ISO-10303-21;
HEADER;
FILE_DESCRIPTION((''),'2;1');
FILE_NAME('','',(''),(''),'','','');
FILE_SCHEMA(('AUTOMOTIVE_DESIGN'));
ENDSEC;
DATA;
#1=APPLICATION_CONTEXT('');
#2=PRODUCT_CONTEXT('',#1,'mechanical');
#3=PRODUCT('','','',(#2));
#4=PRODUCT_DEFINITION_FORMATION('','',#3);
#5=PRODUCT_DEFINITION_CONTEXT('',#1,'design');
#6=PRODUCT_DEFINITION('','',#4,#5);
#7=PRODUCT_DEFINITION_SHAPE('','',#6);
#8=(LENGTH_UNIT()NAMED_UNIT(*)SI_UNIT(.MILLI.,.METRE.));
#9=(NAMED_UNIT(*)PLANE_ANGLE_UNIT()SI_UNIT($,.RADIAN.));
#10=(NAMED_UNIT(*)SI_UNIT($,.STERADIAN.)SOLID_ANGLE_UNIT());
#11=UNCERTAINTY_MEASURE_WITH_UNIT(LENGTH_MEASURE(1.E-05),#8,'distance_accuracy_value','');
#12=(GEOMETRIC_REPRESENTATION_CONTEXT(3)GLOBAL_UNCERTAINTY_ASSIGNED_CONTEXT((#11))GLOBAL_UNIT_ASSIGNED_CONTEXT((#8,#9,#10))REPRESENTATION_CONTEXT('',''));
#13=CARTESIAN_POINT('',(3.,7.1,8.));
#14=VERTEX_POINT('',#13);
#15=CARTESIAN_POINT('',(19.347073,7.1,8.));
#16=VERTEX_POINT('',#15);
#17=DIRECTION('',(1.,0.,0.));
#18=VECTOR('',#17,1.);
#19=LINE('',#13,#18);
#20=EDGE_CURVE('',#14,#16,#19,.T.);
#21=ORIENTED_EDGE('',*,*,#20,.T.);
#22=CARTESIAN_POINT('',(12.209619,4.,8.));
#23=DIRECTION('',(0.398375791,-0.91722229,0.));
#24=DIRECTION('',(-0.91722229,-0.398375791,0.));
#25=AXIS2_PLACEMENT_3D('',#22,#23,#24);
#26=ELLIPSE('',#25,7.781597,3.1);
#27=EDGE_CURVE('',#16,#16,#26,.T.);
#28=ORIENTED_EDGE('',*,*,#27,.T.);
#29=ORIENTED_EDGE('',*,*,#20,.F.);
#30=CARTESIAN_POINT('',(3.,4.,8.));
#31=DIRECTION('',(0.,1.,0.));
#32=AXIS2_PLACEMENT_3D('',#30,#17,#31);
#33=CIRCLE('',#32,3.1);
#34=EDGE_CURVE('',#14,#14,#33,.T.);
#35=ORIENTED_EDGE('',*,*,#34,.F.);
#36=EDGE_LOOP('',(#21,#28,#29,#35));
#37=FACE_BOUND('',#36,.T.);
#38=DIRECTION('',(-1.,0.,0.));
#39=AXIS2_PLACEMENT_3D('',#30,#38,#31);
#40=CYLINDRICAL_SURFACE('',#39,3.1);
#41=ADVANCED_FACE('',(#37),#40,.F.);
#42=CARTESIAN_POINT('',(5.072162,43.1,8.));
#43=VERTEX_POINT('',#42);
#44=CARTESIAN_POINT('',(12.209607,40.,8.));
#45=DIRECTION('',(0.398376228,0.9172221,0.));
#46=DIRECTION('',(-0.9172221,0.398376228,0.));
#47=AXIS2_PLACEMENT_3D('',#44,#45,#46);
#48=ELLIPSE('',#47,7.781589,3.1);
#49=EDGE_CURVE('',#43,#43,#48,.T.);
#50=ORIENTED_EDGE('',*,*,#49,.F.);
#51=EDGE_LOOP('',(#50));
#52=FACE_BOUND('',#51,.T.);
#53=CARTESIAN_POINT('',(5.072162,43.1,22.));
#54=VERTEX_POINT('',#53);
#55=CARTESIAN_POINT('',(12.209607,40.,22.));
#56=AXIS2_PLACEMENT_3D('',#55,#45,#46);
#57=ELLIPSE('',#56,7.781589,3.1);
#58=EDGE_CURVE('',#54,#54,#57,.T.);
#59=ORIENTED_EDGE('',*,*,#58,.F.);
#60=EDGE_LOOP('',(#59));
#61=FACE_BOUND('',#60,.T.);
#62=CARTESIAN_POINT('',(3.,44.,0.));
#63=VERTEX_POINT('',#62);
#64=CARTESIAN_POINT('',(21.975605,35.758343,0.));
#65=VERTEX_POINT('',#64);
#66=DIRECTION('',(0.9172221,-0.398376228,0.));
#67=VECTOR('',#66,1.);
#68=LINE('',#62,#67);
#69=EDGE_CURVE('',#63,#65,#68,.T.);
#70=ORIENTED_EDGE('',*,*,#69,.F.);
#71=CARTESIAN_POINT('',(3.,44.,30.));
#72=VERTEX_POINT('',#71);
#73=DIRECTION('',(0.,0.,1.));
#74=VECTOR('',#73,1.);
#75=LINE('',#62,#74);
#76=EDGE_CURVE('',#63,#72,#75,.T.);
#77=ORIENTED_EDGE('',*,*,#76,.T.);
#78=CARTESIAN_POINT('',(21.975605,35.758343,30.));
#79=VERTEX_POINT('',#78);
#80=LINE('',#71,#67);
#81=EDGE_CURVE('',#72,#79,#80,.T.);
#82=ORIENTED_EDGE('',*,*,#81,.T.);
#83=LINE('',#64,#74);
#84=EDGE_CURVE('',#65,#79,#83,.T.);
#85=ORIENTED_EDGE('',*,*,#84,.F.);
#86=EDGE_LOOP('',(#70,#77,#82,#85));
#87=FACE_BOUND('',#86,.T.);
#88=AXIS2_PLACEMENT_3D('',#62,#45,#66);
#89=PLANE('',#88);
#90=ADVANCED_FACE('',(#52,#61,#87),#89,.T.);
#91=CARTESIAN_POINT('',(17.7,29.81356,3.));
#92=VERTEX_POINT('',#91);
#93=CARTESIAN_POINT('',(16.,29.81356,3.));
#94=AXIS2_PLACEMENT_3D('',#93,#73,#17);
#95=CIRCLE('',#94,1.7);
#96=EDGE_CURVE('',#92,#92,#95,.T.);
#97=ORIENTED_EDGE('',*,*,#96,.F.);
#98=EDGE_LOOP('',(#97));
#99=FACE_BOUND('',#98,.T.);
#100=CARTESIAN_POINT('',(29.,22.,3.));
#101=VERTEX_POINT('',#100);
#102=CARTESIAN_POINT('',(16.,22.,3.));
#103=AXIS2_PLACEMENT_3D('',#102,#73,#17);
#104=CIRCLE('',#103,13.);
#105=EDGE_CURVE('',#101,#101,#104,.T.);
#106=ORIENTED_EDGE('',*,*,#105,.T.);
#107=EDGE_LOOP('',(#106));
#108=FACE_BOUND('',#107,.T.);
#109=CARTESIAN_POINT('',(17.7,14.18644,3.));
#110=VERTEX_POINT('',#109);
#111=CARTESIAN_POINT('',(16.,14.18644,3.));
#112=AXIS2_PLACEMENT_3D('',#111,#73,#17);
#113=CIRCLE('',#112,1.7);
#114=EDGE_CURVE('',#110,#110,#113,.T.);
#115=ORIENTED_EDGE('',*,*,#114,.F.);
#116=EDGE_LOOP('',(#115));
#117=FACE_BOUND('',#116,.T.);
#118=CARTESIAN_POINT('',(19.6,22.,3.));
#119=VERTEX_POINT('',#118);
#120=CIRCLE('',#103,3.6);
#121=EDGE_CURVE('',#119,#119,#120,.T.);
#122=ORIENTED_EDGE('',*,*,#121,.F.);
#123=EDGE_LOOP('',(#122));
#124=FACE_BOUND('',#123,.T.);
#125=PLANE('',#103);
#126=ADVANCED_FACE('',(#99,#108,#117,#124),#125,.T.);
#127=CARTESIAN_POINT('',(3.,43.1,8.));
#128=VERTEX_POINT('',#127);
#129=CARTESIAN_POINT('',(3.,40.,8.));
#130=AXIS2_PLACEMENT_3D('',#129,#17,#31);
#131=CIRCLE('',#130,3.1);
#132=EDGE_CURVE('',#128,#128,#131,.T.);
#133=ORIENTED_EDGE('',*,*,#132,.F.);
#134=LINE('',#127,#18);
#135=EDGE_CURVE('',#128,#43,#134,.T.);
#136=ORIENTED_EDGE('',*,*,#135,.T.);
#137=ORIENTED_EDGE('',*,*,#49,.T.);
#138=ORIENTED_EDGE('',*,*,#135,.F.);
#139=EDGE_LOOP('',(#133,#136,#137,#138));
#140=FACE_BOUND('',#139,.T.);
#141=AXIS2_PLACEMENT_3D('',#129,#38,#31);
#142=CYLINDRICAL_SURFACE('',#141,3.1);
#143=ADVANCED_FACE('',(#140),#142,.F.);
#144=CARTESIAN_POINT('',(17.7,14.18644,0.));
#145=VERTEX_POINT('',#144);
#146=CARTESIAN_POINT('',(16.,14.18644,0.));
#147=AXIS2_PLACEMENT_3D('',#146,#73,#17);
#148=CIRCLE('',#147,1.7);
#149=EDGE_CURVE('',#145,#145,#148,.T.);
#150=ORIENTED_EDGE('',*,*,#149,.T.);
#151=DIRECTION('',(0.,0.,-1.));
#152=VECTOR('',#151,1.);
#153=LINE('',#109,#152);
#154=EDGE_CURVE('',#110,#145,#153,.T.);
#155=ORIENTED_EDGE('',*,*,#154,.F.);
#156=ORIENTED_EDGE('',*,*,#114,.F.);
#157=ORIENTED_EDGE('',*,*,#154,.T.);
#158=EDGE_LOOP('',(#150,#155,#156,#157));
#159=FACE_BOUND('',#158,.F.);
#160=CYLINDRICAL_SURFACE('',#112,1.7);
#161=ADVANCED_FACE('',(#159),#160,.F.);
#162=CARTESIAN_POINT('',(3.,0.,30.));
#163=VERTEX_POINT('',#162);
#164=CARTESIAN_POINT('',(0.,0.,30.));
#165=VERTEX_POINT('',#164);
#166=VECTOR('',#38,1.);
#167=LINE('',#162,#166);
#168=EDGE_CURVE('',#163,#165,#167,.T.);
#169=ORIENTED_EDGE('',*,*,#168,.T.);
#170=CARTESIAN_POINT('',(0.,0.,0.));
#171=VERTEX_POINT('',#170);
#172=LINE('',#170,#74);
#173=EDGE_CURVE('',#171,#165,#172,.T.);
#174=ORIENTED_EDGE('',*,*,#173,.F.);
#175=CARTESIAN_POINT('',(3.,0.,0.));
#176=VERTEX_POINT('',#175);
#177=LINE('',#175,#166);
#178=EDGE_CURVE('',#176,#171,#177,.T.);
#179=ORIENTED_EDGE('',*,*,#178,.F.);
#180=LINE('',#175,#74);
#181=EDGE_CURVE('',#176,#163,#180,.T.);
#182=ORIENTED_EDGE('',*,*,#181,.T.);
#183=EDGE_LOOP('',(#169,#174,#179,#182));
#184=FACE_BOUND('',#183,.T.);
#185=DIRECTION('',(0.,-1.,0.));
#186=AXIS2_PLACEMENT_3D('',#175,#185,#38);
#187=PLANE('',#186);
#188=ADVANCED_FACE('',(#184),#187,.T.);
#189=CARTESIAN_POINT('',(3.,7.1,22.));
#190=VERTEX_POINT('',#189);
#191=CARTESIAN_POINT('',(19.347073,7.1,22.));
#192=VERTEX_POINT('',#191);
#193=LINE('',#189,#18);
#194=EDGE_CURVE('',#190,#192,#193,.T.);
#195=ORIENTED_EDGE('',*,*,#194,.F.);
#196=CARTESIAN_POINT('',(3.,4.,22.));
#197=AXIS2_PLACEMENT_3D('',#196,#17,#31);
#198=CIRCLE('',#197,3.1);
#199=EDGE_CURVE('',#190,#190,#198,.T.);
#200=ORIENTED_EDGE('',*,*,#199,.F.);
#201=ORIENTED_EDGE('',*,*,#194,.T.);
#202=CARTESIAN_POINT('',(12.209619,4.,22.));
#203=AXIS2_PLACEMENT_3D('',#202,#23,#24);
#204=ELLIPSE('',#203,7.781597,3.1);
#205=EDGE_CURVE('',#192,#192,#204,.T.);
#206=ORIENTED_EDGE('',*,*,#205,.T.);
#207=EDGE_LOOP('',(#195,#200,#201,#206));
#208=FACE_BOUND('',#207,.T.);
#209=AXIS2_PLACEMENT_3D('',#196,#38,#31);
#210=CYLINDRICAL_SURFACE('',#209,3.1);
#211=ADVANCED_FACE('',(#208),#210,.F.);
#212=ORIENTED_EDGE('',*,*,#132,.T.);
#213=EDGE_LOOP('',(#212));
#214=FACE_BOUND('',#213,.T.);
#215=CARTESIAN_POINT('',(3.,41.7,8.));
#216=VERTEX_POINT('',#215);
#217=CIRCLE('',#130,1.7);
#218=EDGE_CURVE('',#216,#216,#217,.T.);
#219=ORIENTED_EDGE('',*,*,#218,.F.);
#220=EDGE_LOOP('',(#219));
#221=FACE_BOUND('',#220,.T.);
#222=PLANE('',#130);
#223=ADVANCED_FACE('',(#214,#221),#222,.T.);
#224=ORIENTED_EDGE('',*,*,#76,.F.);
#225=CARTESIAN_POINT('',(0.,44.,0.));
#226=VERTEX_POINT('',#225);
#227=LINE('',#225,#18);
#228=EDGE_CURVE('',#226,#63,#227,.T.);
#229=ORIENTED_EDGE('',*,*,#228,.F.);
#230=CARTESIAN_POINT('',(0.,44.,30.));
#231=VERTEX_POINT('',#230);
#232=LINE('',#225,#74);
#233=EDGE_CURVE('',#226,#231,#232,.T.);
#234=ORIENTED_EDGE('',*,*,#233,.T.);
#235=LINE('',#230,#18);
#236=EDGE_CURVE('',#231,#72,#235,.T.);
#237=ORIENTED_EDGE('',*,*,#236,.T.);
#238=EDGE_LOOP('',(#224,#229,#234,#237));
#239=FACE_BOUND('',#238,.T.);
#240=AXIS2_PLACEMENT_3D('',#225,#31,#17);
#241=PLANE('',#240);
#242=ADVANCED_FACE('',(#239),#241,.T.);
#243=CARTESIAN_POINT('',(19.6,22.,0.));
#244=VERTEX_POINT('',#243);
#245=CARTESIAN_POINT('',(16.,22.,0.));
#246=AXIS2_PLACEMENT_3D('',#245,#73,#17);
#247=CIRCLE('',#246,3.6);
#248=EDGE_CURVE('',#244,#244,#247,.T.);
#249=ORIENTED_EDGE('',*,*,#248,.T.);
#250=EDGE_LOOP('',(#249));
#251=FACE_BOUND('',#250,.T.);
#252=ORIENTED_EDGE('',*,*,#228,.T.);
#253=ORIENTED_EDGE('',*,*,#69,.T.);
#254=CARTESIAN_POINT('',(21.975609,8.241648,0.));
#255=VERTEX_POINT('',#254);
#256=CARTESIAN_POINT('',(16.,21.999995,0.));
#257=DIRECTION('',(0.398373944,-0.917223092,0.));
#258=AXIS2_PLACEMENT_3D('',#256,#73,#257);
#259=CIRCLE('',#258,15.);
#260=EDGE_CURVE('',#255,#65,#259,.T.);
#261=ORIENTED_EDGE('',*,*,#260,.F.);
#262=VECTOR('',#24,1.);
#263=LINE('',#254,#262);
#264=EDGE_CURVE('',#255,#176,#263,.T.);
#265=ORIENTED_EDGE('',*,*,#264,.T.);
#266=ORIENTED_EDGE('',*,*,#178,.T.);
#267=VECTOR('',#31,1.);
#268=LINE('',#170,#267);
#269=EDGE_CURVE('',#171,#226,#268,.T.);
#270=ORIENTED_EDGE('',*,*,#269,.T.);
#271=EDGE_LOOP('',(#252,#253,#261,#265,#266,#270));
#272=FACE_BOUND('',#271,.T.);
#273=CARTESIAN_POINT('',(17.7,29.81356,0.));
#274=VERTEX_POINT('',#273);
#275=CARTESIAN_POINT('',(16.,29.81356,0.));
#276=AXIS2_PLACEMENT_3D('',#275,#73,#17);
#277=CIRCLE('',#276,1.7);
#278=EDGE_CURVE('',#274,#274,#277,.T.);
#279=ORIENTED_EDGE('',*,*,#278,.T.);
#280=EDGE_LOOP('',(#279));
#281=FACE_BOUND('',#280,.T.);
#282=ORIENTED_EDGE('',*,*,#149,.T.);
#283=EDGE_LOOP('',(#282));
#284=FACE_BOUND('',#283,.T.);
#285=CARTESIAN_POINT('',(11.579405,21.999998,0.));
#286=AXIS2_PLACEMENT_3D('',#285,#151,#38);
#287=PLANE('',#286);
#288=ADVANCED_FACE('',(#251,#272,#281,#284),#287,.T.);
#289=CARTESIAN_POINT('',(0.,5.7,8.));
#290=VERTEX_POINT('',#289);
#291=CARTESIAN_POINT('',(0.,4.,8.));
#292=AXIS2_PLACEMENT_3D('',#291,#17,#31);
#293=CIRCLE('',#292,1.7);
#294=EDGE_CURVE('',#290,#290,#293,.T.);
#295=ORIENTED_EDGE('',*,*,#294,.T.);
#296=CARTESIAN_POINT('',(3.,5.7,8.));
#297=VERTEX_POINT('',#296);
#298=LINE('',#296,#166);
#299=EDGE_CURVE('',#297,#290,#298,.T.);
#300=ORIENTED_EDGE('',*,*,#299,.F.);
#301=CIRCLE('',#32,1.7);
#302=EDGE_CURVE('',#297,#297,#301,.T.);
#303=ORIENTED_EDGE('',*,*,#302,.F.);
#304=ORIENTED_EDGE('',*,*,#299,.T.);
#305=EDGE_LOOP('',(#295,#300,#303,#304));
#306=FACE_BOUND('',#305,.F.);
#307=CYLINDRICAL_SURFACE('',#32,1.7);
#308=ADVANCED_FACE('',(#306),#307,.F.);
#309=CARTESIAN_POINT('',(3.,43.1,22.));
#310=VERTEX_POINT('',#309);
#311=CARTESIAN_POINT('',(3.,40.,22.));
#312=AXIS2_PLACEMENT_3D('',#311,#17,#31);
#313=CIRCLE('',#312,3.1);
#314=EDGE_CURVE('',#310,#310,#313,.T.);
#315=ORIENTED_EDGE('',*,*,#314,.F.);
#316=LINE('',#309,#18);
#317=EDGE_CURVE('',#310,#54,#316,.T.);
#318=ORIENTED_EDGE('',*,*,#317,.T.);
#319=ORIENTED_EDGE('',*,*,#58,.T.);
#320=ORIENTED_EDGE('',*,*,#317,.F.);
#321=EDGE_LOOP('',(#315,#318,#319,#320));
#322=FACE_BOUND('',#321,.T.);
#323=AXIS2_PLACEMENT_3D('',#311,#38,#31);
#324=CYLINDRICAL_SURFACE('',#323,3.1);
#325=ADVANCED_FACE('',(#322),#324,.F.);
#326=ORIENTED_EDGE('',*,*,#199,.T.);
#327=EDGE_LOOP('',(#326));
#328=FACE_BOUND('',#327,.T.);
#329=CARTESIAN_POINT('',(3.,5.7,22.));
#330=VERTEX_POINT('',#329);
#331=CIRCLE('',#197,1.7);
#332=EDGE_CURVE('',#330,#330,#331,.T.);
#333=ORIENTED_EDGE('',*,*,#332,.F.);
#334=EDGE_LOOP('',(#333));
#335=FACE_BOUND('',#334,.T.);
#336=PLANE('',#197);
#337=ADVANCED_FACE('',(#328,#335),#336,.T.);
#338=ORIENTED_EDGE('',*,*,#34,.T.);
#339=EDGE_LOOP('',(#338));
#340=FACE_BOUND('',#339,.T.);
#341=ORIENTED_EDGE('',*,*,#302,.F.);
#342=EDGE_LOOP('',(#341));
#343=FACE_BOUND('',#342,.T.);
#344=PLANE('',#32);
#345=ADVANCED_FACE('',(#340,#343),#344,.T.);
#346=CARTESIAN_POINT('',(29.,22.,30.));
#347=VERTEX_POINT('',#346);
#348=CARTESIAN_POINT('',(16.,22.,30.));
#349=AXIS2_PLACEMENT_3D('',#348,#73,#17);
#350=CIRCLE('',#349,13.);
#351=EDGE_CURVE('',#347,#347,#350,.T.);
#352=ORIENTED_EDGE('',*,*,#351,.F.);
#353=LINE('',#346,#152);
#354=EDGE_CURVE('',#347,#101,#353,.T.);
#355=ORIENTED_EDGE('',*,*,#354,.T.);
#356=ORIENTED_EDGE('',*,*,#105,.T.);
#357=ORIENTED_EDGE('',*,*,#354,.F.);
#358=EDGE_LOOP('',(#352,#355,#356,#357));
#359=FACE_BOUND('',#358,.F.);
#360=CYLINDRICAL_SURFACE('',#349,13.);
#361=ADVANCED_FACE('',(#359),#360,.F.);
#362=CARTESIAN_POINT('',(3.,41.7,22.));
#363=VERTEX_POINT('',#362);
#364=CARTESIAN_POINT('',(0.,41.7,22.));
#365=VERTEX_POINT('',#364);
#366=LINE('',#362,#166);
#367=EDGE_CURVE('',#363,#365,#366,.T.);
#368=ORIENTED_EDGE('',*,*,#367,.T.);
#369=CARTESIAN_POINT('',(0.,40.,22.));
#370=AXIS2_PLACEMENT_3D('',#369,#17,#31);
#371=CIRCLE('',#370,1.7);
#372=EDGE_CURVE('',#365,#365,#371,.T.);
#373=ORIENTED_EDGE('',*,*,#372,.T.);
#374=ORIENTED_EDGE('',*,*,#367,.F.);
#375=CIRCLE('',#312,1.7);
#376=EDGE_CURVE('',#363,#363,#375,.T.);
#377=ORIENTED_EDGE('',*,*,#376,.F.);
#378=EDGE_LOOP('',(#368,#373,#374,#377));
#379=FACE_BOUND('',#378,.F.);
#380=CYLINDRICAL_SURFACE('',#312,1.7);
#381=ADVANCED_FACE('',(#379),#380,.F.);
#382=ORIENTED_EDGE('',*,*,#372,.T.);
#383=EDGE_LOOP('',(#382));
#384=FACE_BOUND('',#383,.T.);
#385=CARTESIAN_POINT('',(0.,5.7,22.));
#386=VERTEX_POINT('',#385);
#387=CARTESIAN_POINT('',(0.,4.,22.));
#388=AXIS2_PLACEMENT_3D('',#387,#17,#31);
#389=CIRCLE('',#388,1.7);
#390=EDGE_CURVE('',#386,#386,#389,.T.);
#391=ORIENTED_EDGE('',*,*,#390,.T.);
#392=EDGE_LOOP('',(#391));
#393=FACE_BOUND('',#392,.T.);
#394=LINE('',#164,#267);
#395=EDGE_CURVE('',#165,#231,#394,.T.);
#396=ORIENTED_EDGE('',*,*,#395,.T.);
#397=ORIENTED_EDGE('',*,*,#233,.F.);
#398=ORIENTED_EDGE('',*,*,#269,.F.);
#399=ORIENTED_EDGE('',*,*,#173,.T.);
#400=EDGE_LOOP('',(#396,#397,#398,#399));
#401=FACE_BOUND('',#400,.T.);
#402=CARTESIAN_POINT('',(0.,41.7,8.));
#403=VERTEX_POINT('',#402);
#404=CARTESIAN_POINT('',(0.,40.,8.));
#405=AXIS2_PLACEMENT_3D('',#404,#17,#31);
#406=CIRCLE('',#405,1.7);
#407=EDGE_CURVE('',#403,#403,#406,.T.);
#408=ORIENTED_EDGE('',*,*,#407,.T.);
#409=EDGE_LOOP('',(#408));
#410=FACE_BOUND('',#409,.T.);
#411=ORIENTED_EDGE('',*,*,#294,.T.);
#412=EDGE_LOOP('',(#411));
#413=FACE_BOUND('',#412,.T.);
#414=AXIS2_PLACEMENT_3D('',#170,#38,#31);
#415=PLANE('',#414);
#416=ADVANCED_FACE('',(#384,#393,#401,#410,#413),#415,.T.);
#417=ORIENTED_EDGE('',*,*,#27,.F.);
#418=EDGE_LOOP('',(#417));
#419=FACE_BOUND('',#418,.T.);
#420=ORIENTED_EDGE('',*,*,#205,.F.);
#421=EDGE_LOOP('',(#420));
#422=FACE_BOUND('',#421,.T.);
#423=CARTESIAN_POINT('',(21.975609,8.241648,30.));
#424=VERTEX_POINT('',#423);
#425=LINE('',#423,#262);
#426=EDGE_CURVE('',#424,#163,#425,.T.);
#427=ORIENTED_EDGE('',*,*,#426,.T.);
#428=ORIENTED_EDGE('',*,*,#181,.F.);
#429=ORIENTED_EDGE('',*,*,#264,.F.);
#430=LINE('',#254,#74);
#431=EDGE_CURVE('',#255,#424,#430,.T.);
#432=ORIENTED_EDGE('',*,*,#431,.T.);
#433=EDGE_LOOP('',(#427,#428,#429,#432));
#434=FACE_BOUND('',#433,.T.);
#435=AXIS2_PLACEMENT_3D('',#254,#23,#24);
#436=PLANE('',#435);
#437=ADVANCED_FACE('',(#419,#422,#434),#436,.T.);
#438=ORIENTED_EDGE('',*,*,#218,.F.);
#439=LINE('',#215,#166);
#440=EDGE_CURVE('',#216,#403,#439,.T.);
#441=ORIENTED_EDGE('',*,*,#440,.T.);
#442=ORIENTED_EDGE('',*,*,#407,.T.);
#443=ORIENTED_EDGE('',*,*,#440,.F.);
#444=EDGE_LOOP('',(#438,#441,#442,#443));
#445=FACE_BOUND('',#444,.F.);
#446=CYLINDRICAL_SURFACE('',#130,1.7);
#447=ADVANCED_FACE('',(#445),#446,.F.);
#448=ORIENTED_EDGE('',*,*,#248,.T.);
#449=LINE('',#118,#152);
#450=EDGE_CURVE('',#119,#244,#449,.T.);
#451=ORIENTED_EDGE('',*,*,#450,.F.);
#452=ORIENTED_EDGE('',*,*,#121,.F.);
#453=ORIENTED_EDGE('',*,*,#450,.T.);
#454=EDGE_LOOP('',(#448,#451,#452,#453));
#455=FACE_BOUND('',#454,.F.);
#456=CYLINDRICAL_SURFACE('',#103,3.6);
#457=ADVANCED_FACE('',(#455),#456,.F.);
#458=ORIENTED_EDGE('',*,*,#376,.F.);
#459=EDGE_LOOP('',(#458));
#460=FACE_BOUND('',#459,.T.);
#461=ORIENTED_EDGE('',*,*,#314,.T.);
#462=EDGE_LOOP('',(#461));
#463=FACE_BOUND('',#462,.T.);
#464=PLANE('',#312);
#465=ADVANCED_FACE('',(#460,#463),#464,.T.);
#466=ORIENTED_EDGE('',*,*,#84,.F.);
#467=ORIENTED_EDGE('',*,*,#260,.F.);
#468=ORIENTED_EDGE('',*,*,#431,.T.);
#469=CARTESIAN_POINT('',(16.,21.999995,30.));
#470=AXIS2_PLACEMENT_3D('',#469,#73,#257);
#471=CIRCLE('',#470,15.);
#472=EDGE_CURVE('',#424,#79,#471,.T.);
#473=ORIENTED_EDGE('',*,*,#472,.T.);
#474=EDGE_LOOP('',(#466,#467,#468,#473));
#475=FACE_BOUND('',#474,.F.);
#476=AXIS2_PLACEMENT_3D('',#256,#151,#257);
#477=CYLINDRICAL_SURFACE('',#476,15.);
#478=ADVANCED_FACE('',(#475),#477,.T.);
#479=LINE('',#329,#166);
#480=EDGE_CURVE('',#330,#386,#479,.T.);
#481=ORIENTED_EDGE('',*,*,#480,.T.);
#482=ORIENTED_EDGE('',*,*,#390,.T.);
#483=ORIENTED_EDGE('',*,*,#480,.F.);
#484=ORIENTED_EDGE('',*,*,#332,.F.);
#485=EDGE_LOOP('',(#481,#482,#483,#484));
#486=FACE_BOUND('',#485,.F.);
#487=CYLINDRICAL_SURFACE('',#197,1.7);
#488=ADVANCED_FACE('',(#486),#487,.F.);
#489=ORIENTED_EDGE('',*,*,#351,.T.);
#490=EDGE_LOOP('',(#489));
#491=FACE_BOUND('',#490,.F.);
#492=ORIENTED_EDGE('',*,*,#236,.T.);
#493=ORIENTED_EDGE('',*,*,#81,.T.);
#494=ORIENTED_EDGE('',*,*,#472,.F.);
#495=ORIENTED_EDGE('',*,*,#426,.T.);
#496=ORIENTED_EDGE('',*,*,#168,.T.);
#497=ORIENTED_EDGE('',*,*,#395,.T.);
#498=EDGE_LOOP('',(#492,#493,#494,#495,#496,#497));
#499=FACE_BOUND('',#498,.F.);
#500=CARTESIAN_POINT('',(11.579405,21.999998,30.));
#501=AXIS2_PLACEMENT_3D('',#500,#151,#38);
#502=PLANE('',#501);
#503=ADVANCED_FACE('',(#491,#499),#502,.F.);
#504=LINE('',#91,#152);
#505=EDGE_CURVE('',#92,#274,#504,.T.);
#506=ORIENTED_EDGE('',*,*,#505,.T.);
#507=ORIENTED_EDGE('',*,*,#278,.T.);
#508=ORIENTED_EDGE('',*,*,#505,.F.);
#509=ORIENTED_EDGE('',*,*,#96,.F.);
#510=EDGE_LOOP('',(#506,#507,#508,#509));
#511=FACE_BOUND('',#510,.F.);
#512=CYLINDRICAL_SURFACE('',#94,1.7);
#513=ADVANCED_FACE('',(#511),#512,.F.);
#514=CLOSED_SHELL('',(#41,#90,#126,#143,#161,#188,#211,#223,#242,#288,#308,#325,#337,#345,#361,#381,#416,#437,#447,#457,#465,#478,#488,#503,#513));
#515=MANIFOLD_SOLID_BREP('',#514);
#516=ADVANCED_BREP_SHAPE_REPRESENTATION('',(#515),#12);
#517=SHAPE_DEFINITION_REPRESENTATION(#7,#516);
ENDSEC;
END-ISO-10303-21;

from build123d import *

# Parameters (mm, degrees)
SKETCH002_R     = 3.1
PAD001_DEPTH    = 20
PAD_DEPTH       = 30
SKETCH001_R     = 13
POCKET_DEPTH    = 27
SKETCH003_R     = 1.7
POCKET001_DEPTH = 3
SKETCH004_R     = 3.6
SKETCH004_R_2   = 1.7
POCKET002_DEPTH = 3


with BuildPart() as pad001:
    # Sketch002 → Pad001 (new body)
    with BuildSketch(Plane.YZ.offset(3)):
        with Locations((4, 22)):
            Circle(SKETCH002_R)
        with Locations((40, 22)):
            Circle(SKETCH002_R)
        with Locations((4, 8)):
            Circle(SKETCH002_R)
        with Locations((40, 8)):
            Circle(SKETCH002_R)
    extrude(amount=PAD001_DEPTH)


with BuildPart() as pocket002:
    # Sketch → Pad (new body)
    with BuildSketch(Plane.XY):
        with BuildLine():
            Line((0, 0), (0, 44))
            Line((0, 44), (3, 44))
            Line((3, 44), (21.975605, 35.758343))
            ThreePointArc((21.975609, 8.241648), (31, 21.999997), (21.975605, 35.758343))
            Line((21.975609, 8.241648), (3, 0))
            Line((3, 0), (0, 0))
        make_face()
    extrude(amount=PAD_DEPTH)

    # Sketch001 → Pocket (cut)
    with BuildSketch(Plane.XY.offset(30)):
        with Locations((16, 22)):
            Circle(SKETCH001_R)
    extrude(amount=-POCKET_DEPTH, mode=Mode.SUBTRACT)

    # Cut: cut Pad001
    add(pad001.part, mode=Mode.SUBTRACT)

    # Sketch003 → Pocket001 (cut)
    with BuildSketch(Plane.YZ.offset(3)):
        with Locations((4, 22)):
            Circle(SKETCH003_R)
        with Locations((40, 22)):
            Circle(SKETCH003_R)
        with Locations((4, 8)):
            Circle(SKETCH003_R)
        with Locations((40, 8)):
            Circle(SKETCH003_R)
    extrude(amount=-POCKET001_DEPTH, mode=Mode.SUBTRACT)

    # Sketch004 → Pocket002 (cut)
    with BuildSketch(Plane.XY.offset(3)):
        with Locations((16, 22)):
            Circle(SKETCH004_R)
        with Locations((16, 29.81356)):
            Circle(SKETCH004_R_2)
        with Locations((16, 14.18644)):
            Circle(SKETCH004_R_2)
    extrude(amount=-POCKET002_DEPTH, mode=Mode.SUBTRACT)


solid = pocket002.part
